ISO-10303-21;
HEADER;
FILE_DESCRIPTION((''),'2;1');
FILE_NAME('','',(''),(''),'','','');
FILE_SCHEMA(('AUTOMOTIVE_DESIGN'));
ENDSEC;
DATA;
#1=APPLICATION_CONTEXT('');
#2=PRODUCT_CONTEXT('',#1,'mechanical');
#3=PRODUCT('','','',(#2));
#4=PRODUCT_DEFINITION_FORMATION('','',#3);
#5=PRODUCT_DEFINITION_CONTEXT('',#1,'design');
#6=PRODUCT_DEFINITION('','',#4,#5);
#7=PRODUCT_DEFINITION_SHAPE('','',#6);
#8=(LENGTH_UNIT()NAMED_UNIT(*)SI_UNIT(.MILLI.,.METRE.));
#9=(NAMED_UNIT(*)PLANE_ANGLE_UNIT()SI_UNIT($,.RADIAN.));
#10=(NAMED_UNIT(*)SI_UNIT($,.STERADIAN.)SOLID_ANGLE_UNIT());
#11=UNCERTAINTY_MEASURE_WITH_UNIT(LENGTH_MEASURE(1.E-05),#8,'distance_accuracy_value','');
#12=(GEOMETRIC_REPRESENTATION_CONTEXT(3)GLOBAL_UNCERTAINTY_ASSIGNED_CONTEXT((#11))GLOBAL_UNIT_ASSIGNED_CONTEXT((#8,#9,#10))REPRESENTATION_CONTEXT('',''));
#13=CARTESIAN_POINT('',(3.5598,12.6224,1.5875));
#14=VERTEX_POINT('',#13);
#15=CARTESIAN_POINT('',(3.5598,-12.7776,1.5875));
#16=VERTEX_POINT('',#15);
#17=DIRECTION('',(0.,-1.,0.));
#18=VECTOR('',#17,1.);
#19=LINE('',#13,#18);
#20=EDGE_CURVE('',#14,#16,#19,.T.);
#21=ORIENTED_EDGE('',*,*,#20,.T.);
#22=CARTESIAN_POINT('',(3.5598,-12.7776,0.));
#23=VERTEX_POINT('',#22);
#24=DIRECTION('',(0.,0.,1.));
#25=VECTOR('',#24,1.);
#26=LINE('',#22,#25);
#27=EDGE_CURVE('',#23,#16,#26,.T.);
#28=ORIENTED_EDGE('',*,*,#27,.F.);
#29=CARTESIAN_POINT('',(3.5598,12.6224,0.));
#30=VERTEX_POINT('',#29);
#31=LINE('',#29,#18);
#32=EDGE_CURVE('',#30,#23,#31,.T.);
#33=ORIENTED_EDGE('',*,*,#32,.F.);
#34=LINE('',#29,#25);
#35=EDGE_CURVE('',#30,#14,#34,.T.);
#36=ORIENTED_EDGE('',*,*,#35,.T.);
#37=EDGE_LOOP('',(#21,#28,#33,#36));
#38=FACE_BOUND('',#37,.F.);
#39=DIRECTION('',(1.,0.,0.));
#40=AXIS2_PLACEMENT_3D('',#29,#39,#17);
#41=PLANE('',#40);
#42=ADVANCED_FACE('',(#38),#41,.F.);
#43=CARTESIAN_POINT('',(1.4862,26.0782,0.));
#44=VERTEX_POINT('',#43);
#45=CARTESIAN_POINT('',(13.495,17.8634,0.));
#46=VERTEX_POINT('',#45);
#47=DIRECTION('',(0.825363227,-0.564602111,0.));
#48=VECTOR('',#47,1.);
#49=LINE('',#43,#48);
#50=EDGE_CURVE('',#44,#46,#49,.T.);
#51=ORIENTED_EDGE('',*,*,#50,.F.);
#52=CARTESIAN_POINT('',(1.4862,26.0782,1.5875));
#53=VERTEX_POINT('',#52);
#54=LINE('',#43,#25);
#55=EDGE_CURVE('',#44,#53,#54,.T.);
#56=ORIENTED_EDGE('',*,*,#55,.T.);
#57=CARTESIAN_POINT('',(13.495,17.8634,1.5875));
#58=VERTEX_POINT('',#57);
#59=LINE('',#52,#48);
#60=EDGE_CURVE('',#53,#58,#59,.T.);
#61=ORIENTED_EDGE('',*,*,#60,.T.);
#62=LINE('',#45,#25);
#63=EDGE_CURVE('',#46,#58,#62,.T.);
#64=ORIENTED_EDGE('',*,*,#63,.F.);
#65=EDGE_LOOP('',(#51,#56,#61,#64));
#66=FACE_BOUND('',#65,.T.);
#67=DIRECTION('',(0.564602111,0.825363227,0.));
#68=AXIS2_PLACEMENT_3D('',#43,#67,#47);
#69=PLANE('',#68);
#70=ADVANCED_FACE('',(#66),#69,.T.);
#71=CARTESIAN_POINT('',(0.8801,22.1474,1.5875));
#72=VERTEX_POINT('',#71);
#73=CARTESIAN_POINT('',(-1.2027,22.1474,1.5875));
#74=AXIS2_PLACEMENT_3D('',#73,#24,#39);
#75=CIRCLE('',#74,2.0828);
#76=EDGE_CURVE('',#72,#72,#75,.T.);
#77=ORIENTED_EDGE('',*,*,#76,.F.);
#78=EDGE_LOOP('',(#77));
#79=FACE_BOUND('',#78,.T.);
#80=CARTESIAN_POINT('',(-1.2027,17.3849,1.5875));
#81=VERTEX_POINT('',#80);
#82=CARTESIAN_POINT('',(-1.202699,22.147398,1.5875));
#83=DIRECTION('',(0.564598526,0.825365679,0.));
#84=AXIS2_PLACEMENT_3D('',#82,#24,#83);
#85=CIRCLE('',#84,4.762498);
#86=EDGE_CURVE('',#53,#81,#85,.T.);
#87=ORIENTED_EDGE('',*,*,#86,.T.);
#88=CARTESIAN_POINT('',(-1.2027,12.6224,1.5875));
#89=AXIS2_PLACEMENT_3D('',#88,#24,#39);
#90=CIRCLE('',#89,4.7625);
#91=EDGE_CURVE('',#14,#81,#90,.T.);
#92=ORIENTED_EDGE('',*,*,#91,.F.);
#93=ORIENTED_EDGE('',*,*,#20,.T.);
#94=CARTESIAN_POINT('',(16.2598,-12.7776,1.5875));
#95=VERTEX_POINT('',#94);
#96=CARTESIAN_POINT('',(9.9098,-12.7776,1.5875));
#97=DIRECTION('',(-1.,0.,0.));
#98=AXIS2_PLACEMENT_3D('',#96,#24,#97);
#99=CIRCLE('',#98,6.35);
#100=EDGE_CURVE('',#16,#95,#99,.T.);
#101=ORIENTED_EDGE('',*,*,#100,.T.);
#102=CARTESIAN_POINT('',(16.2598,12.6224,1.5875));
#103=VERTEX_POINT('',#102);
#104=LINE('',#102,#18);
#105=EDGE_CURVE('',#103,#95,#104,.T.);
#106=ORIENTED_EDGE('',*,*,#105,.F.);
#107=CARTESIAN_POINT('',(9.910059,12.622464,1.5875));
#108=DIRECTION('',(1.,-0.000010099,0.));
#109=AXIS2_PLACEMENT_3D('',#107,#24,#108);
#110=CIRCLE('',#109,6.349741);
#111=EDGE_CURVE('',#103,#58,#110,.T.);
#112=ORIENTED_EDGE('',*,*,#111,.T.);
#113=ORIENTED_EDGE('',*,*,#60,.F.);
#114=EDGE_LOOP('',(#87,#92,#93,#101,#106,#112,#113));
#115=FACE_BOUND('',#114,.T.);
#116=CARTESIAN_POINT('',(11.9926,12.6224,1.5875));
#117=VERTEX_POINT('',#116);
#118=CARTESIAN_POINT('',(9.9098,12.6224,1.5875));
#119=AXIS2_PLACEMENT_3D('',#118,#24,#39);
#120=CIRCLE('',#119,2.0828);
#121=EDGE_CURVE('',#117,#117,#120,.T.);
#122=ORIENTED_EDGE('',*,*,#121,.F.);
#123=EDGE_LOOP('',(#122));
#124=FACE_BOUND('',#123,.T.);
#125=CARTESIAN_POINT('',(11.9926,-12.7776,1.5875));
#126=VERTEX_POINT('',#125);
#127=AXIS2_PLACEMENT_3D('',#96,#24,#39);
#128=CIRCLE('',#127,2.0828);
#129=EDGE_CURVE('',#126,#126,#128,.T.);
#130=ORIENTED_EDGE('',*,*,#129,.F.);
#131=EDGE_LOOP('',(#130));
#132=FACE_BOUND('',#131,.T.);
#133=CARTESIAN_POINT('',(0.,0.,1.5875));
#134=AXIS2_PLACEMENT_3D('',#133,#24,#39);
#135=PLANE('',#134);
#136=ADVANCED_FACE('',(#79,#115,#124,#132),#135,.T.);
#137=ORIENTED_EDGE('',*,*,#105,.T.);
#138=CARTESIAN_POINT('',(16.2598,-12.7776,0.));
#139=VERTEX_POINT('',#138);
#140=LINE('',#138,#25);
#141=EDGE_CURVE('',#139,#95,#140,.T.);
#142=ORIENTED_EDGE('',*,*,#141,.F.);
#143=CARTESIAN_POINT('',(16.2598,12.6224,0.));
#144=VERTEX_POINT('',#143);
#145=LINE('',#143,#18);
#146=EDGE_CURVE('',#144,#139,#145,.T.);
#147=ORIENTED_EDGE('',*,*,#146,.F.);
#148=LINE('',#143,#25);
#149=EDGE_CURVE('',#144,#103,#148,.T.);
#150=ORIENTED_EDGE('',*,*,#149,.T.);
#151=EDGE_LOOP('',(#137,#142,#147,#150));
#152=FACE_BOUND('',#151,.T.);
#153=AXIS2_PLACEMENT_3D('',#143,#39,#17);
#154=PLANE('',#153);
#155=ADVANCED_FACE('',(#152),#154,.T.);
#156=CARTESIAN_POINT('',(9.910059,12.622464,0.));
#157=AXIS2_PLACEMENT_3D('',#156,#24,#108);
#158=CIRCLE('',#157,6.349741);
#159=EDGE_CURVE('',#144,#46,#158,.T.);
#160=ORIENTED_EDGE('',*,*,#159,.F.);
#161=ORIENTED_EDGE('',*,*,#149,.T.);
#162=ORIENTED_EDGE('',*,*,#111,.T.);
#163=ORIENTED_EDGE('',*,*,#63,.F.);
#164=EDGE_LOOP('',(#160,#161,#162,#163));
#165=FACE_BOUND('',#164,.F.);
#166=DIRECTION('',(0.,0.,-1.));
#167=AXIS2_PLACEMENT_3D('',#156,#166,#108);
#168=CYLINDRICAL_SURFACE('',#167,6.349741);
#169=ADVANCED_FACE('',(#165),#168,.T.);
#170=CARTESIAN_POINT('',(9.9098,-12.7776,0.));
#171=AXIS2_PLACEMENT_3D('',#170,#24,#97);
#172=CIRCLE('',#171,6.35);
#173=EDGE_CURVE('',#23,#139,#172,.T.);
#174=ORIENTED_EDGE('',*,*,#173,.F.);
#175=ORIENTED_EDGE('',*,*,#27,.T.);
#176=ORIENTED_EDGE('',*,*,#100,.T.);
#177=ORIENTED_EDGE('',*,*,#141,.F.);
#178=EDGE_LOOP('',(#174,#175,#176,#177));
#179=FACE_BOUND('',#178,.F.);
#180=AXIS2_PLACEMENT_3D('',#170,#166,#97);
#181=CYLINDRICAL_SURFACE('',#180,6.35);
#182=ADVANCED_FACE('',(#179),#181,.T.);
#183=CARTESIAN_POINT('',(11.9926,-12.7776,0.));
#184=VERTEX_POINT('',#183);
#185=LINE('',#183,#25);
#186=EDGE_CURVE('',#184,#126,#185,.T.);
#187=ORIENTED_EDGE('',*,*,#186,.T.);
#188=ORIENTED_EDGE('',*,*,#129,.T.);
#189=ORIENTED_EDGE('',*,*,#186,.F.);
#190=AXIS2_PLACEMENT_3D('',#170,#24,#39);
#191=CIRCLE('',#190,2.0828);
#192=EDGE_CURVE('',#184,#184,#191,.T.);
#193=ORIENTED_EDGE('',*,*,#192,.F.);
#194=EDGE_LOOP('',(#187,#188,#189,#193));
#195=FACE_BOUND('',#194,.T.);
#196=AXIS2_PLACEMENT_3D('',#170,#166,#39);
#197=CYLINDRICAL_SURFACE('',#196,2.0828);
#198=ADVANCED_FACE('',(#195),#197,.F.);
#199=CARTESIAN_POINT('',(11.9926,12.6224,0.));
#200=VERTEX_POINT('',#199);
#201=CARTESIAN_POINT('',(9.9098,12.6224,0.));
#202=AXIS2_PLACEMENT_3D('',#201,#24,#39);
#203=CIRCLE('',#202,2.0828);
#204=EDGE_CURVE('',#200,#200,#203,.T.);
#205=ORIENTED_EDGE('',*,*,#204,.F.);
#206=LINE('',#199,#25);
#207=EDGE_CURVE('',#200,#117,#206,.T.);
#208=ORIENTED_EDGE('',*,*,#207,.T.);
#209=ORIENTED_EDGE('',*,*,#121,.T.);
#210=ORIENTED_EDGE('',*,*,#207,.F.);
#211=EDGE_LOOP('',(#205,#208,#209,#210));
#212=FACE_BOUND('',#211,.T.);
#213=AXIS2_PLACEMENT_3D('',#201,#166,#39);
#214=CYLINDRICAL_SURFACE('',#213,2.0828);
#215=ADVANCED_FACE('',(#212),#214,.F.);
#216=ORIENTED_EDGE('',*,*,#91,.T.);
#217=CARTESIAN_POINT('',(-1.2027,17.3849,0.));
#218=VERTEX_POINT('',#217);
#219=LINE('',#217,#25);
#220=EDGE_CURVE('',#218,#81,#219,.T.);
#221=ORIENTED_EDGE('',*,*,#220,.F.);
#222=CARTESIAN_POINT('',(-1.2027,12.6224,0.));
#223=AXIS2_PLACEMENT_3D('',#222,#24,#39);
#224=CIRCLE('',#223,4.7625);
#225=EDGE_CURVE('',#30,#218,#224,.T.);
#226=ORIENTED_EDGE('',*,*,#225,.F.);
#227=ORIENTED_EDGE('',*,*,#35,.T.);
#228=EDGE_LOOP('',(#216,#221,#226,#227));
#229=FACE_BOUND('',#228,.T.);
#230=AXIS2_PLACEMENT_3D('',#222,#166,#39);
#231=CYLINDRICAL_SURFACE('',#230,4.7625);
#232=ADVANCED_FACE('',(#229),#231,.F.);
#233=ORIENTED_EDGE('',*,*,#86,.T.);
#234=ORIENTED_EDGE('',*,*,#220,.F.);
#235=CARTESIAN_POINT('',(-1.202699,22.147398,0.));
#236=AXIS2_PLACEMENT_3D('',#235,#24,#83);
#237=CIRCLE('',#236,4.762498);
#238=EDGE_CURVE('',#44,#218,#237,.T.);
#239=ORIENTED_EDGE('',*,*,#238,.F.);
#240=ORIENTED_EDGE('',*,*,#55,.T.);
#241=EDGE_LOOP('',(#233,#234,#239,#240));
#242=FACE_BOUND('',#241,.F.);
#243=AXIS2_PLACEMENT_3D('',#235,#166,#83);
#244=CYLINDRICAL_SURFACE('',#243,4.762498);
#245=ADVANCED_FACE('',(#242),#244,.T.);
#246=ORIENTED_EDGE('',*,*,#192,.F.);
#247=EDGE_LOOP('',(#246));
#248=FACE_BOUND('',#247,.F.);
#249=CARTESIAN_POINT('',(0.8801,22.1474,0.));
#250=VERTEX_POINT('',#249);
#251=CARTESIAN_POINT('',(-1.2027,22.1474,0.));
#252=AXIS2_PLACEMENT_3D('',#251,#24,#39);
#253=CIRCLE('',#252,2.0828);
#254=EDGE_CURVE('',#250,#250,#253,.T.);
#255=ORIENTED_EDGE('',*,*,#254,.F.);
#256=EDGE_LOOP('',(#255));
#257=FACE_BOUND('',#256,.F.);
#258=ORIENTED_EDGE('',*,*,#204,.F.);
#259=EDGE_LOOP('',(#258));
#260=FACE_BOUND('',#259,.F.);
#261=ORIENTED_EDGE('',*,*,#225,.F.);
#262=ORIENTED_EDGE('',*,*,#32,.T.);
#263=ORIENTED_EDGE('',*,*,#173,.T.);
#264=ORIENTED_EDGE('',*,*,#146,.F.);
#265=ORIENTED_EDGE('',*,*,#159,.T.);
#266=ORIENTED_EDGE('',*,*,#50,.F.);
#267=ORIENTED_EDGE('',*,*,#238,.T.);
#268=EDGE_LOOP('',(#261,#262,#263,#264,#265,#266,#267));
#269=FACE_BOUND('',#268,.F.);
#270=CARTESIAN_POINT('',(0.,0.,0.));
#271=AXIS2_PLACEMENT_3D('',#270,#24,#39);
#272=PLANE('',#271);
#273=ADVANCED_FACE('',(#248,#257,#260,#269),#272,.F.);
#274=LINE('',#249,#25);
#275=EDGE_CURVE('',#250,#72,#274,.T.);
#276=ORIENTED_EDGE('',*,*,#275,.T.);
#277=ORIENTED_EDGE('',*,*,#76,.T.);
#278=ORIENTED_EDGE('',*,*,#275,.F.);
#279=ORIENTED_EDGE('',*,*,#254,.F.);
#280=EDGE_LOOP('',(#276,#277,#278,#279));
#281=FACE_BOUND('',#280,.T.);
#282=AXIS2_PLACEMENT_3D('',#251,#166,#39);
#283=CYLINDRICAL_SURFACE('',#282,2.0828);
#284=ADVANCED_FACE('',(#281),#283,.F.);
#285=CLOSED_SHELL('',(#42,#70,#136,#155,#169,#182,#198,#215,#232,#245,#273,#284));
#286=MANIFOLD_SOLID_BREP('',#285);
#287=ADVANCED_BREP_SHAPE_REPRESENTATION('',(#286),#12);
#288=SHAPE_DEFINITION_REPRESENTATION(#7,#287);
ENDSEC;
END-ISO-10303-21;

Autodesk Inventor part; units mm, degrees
ref_plane "YZ Plane" through (0, 0, 0) normal (1, 0, 0) x (0, 1, 0)
ref_plane "XZ Plane" through (0, 0, 0) normal (0, 1, 0) x (-1, 0, 0)
ref_plane "XY Plane" through (0, 0, 0) normal (0, 0, 1) x (1, 0, 0)
sketch "Sketch1" plane through (0, 0, 0) normal (0, 0, 1) x (1, 0, 0)
  circle A0 centre (9.9098, 12.6224) radius 2.0828
  circle A1 centre (9.9098, -12.7776) radius 2.0828
  arc A2 (16.2598, 12.6224) -> (13.495, 17.8634) centre (9.9098, 12.6224) ccw
  arc A3 (3.5598, -12.7776) -> (16.2598, -12.7776) centre (9.9098, -12.7776) ccw
  line L0 (3.5598, 12.6224) -> (3.5598, -12.7776)
  line L1 (16.2598, 12.6224) -> (16.2598, -12.7776)
  circle A4 centre (-1.2027, 22.1474) radius 2.0828
  arc A5 (1.4862, 26.0782) -> (-1.2027, 17.3849) centre (-1.2027, 22.1474) ccw
  arc A6 (3.5598, 12.6224) -> (-1.2027, 17.3849) centre (-1.2027, 12.6224) ccw
  line L2 (1.4862, 26.0782) -> (13.495, 17.8634)
  point P0 (0, 0)
  dimension "d0" = 4.1656
  dimension "d1" = 12.7
  dimension "d2" = 9.525
extrude "Extrusion1" add sketch "Sketch1" along normal blind 1.5875
properties part number "brace_gusset" material "Acetal Resin, White"
